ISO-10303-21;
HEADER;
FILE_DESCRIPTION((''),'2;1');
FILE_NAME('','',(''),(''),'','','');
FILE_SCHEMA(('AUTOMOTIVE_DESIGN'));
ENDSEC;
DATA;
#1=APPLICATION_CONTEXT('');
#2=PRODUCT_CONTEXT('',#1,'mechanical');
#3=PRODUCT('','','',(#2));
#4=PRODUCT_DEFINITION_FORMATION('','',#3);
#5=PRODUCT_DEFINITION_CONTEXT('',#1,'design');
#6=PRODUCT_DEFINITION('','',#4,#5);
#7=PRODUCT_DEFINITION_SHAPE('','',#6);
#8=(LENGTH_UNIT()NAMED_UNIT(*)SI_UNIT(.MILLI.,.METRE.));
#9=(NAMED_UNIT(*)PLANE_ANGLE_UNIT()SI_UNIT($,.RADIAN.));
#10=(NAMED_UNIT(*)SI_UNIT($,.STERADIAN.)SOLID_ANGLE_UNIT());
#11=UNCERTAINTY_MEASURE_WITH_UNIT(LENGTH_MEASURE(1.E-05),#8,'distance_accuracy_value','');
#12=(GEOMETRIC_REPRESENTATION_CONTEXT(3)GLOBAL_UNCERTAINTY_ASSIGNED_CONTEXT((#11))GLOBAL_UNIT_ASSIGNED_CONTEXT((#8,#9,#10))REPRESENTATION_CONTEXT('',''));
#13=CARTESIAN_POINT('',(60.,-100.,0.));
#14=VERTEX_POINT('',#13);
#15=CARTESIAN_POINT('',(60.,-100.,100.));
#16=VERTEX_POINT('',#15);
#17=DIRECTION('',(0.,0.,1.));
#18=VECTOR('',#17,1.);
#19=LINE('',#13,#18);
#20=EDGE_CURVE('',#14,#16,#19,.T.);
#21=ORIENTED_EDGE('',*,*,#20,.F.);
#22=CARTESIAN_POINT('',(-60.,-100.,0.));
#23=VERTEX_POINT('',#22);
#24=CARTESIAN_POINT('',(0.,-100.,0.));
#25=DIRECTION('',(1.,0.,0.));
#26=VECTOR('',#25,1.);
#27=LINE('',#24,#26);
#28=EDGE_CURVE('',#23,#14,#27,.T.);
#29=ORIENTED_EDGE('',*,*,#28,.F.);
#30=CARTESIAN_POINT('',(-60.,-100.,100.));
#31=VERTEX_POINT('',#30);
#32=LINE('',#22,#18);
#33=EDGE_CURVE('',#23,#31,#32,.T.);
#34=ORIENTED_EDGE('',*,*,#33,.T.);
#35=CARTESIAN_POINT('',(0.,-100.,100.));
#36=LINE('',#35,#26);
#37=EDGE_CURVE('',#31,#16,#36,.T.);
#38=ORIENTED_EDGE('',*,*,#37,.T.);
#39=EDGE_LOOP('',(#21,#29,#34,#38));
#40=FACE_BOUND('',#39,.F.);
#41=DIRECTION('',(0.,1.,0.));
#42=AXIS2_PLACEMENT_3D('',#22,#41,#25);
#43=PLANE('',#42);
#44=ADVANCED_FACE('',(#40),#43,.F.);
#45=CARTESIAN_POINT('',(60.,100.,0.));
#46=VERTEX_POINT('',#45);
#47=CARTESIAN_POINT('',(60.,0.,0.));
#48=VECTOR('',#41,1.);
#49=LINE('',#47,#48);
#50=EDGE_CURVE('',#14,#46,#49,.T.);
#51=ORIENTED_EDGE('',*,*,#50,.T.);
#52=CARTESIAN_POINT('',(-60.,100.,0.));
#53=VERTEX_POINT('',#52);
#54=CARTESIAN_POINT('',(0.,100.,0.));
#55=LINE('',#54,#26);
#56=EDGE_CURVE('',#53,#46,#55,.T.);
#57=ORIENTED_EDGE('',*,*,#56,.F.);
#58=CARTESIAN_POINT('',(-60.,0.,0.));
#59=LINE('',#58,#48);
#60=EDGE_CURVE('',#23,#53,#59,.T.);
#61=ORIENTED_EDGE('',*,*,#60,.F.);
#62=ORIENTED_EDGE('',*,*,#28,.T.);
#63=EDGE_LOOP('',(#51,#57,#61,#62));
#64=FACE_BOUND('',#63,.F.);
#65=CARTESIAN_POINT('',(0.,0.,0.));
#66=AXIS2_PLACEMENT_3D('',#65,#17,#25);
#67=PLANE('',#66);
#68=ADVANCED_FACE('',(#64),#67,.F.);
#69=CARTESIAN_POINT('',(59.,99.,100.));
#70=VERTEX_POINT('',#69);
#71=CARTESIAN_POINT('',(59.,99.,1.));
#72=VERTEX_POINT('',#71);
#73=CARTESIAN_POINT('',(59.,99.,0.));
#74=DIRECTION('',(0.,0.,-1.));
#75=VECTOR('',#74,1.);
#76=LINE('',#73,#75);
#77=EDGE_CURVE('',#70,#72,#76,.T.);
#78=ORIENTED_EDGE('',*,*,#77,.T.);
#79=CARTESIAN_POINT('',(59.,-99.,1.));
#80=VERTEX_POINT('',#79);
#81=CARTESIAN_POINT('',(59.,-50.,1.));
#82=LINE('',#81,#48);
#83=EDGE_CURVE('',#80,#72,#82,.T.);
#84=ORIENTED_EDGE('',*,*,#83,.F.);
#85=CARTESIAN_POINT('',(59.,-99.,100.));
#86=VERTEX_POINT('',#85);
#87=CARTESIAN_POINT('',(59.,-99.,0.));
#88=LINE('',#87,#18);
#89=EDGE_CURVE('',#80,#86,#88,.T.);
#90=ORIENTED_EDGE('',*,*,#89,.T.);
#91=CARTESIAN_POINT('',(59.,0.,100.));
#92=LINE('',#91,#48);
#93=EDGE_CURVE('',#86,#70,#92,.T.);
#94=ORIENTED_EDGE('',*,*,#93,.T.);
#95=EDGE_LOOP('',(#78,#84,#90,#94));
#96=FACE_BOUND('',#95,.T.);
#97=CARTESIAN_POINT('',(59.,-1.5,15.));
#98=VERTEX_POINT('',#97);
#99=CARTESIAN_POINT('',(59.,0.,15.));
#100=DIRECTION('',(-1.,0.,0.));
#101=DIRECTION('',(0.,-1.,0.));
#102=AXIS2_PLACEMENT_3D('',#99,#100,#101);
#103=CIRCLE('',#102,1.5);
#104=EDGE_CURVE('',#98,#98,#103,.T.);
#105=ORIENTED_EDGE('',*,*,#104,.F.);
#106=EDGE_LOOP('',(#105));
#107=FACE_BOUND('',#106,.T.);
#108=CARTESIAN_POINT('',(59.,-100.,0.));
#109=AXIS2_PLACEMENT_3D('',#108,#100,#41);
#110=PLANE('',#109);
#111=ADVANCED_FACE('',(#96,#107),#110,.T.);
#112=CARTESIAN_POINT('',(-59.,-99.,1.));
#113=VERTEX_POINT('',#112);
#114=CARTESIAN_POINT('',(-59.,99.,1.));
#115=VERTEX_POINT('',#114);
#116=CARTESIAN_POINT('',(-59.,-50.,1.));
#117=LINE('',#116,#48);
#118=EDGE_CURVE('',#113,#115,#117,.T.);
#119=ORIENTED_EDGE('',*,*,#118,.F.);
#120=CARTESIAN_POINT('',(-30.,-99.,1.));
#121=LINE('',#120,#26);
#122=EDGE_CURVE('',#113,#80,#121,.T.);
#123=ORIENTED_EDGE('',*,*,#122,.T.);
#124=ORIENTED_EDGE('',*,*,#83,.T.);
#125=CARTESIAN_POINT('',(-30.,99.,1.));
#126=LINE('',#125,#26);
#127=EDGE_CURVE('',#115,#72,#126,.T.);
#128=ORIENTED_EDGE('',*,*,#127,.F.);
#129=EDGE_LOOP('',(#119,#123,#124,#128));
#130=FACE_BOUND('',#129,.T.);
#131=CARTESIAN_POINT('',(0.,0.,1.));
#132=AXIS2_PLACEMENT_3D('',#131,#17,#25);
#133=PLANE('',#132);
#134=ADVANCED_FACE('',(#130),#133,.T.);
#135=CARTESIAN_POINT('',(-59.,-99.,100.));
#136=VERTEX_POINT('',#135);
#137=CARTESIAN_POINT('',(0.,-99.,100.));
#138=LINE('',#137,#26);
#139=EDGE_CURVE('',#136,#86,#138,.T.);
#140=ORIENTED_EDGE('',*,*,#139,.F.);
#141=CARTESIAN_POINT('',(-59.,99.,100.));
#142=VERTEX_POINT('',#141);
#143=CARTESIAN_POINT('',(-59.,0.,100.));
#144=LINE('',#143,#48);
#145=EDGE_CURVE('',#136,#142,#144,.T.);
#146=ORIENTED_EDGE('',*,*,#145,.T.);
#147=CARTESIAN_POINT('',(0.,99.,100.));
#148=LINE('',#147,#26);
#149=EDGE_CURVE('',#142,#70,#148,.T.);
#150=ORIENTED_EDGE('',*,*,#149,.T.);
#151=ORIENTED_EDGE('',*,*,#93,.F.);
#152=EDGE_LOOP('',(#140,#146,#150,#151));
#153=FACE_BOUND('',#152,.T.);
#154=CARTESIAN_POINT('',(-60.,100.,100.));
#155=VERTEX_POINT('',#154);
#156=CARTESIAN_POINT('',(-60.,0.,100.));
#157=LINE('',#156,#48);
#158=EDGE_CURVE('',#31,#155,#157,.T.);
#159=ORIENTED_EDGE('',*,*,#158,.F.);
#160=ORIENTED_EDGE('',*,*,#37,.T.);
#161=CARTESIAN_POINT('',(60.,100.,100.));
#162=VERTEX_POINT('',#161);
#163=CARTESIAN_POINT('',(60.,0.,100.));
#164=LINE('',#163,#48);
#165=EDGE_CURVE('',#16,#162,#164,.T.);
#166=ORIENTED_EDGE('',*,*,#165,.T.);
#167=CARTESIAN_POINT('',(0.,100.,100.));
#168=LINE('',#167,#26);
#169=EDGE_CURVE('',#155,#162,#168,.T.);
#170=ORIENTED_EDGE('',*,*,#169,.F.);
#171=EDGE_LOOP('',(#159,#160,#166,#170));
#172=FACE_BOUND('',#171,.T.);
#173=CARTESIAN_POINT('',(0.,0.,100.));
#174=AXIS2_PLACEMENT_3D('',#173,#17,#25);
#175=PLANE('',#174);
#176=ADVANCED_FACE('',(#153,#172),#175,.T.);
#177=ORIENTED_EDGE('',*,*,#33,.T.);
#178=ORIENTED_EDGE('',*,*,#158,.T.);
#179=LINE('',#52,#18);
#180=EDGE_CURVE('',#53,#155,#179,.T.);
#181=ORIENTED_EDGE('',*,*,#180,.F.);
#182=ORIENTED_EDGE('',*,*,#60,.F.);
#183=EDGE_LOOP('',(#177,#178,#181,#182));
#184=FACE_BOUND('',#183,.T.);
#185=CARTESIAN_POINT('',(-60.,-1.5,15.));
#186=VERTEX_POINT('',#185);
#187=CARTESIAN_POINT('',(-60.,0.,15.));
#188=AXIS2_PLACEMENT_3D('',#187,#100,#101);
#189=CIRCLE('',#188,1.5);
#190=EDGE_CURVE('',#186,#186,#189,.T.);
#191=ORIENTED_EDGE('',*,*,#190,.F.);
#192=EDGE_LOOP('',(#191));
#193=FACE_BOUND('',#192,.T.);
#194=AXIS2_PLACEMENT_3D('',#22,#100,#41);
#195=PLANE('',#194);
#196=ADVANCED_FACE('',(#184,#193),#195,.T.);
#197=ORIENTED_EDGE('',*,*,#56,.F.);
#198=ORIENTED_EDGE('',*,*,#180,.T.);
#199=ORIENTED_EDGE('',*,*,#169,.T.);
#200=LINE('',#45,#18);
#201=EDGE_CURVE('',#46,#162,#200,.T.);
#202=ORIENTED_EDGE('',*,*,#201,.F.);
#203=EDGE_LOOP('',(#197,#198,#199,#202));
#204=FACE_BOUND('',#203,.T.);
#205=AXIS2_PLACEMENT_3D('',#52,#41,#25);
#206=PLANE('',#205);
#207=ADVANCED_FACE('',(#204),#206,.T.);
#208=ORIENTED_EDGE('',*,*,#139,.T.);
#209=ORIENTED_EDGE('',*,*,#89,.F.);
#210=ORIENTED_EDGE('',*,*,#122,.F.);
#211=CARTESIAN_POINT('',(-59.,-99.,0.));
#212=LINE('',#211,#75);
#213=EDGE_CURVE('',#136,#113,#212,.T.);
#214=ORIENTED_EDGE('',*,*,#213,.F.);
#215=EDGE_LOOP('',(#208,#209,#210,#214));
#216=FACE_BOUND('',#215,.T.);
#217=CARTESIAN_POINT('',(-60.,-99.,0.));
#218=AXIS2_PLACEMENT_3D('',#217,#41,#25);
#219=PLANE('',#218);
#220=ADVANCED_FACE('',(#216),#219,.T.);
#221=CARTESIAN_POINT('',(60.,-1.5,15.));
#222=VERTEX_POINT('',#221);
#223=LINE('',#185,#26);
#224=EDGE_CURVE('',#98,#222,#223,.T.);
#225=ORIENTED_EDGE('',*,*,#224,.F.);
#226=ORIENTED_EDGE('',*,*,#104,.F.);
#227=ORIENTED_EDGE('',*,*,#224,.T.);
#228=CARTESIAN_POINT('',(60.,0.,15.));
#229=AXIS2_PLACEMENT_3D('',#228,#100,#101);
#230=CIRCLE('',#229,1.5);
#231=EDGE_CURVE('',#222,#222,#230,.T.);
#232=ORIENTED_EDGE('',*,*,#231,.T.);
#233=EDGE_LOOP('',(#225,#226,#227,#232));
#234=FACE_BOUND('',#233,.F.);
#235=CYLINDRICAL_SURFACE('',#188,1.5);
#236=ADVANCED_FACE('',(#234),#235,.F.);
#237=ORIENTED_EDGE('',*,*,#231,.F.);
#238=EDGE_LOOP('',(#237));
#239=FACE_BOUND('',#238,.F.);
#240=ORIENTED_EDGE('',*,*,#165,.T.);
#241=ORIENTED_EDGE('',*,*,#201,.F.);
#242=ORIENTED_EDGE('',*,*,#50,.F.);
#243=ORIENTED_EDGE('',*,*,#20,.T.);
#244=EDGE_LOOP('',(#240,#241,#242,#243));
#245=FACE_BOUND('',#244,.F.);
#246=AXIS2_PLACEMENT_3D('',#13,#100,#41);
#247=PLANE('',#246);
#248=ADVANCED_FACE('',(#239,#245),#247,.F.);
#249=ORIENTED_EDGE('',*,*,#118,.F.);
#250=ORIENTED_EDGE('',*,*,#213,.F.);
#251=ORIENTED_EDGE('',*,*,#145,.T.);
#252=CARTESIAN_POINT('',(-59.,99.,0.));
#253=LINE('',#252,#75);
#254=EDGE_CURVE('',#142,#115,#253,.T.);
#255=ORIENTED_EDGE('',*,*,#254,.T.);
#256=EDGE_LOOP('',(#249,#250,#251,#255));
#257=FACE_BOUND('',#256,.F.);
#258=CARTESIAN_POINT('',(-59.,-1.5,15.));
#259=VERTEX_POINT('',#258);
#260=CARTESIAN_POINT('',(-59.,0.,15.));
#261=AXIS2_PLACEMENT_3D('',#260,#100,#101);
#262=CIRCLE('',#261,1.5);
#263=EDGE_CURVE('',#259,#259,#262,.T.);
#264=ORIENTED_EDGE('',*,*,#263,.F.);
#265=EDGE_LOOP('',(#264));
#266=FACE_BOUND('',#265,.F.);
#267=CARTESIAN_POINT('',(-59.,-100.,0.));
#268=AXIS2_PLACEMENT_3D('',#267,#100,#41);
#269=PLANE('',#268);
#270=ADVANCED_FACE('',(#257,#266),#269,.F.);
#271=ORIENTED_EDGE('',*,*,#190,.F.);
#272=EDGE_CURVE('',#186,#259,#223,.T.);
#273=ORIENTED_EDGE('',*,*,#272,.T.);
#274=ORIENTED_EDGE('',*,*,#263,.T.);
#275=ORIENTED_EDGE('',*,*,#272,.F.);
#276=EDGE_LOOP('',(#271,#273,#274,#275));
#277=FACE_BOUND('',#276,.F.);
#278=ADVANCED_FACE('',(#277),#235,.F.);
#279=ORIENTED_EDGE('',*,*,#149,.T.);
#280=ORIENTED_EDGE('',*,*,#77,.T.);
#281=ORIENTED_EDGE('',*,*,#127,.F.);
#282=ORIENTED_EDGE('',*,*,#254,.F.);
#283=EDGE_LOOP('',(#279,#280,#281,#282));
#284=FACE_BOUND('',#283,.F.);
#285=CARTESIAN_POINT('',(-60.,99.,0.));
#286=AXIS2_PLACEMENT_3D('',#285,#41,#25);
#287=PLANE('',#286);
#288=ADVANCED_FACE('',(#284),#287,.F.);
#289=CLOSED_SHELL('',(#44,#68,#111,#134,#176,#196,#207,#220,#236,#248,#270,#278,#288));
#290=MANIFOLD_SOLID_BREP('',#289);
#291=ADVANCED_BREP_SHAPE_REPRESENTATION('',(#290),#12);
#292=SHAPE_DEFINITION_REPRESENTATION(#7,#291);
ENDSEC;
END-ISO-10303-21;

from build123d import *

# Parameters (mm, degrees)
F0_W     = 120
F0_H     = 200
F1_DEPTH = 100
F2_T     = -1
F3_R     = 1.5
F4_DEPTH = 130


with BuildPart() as f1:
    # F0 (on Top) → F1 (new body)
    with BuildSketch(Plane.XY):
        Rectangle(F0_W, F0_H)
    extrude(amount=F1_DEPTH)

    # F2
    f2_openings = [f1.faces().sort_by_distance(p)[0] for p in [
        (0, 0, 100),
    ]]
    offset(amount=F2_T, openings=f2_openings)

    # F3 (on face) → F4 (cut)
    with BuildSketch(Plane(origin=(-60, 0, 0), x_dir=(0, -1, 0), z_dir=(-1, 0, 0))):
        with Locations((0, 15)):
            Circle(F3_R)
    extrude(amount=-F4_DEPTH, mode=Mode.SUBTRACT)


solid = f1.part
